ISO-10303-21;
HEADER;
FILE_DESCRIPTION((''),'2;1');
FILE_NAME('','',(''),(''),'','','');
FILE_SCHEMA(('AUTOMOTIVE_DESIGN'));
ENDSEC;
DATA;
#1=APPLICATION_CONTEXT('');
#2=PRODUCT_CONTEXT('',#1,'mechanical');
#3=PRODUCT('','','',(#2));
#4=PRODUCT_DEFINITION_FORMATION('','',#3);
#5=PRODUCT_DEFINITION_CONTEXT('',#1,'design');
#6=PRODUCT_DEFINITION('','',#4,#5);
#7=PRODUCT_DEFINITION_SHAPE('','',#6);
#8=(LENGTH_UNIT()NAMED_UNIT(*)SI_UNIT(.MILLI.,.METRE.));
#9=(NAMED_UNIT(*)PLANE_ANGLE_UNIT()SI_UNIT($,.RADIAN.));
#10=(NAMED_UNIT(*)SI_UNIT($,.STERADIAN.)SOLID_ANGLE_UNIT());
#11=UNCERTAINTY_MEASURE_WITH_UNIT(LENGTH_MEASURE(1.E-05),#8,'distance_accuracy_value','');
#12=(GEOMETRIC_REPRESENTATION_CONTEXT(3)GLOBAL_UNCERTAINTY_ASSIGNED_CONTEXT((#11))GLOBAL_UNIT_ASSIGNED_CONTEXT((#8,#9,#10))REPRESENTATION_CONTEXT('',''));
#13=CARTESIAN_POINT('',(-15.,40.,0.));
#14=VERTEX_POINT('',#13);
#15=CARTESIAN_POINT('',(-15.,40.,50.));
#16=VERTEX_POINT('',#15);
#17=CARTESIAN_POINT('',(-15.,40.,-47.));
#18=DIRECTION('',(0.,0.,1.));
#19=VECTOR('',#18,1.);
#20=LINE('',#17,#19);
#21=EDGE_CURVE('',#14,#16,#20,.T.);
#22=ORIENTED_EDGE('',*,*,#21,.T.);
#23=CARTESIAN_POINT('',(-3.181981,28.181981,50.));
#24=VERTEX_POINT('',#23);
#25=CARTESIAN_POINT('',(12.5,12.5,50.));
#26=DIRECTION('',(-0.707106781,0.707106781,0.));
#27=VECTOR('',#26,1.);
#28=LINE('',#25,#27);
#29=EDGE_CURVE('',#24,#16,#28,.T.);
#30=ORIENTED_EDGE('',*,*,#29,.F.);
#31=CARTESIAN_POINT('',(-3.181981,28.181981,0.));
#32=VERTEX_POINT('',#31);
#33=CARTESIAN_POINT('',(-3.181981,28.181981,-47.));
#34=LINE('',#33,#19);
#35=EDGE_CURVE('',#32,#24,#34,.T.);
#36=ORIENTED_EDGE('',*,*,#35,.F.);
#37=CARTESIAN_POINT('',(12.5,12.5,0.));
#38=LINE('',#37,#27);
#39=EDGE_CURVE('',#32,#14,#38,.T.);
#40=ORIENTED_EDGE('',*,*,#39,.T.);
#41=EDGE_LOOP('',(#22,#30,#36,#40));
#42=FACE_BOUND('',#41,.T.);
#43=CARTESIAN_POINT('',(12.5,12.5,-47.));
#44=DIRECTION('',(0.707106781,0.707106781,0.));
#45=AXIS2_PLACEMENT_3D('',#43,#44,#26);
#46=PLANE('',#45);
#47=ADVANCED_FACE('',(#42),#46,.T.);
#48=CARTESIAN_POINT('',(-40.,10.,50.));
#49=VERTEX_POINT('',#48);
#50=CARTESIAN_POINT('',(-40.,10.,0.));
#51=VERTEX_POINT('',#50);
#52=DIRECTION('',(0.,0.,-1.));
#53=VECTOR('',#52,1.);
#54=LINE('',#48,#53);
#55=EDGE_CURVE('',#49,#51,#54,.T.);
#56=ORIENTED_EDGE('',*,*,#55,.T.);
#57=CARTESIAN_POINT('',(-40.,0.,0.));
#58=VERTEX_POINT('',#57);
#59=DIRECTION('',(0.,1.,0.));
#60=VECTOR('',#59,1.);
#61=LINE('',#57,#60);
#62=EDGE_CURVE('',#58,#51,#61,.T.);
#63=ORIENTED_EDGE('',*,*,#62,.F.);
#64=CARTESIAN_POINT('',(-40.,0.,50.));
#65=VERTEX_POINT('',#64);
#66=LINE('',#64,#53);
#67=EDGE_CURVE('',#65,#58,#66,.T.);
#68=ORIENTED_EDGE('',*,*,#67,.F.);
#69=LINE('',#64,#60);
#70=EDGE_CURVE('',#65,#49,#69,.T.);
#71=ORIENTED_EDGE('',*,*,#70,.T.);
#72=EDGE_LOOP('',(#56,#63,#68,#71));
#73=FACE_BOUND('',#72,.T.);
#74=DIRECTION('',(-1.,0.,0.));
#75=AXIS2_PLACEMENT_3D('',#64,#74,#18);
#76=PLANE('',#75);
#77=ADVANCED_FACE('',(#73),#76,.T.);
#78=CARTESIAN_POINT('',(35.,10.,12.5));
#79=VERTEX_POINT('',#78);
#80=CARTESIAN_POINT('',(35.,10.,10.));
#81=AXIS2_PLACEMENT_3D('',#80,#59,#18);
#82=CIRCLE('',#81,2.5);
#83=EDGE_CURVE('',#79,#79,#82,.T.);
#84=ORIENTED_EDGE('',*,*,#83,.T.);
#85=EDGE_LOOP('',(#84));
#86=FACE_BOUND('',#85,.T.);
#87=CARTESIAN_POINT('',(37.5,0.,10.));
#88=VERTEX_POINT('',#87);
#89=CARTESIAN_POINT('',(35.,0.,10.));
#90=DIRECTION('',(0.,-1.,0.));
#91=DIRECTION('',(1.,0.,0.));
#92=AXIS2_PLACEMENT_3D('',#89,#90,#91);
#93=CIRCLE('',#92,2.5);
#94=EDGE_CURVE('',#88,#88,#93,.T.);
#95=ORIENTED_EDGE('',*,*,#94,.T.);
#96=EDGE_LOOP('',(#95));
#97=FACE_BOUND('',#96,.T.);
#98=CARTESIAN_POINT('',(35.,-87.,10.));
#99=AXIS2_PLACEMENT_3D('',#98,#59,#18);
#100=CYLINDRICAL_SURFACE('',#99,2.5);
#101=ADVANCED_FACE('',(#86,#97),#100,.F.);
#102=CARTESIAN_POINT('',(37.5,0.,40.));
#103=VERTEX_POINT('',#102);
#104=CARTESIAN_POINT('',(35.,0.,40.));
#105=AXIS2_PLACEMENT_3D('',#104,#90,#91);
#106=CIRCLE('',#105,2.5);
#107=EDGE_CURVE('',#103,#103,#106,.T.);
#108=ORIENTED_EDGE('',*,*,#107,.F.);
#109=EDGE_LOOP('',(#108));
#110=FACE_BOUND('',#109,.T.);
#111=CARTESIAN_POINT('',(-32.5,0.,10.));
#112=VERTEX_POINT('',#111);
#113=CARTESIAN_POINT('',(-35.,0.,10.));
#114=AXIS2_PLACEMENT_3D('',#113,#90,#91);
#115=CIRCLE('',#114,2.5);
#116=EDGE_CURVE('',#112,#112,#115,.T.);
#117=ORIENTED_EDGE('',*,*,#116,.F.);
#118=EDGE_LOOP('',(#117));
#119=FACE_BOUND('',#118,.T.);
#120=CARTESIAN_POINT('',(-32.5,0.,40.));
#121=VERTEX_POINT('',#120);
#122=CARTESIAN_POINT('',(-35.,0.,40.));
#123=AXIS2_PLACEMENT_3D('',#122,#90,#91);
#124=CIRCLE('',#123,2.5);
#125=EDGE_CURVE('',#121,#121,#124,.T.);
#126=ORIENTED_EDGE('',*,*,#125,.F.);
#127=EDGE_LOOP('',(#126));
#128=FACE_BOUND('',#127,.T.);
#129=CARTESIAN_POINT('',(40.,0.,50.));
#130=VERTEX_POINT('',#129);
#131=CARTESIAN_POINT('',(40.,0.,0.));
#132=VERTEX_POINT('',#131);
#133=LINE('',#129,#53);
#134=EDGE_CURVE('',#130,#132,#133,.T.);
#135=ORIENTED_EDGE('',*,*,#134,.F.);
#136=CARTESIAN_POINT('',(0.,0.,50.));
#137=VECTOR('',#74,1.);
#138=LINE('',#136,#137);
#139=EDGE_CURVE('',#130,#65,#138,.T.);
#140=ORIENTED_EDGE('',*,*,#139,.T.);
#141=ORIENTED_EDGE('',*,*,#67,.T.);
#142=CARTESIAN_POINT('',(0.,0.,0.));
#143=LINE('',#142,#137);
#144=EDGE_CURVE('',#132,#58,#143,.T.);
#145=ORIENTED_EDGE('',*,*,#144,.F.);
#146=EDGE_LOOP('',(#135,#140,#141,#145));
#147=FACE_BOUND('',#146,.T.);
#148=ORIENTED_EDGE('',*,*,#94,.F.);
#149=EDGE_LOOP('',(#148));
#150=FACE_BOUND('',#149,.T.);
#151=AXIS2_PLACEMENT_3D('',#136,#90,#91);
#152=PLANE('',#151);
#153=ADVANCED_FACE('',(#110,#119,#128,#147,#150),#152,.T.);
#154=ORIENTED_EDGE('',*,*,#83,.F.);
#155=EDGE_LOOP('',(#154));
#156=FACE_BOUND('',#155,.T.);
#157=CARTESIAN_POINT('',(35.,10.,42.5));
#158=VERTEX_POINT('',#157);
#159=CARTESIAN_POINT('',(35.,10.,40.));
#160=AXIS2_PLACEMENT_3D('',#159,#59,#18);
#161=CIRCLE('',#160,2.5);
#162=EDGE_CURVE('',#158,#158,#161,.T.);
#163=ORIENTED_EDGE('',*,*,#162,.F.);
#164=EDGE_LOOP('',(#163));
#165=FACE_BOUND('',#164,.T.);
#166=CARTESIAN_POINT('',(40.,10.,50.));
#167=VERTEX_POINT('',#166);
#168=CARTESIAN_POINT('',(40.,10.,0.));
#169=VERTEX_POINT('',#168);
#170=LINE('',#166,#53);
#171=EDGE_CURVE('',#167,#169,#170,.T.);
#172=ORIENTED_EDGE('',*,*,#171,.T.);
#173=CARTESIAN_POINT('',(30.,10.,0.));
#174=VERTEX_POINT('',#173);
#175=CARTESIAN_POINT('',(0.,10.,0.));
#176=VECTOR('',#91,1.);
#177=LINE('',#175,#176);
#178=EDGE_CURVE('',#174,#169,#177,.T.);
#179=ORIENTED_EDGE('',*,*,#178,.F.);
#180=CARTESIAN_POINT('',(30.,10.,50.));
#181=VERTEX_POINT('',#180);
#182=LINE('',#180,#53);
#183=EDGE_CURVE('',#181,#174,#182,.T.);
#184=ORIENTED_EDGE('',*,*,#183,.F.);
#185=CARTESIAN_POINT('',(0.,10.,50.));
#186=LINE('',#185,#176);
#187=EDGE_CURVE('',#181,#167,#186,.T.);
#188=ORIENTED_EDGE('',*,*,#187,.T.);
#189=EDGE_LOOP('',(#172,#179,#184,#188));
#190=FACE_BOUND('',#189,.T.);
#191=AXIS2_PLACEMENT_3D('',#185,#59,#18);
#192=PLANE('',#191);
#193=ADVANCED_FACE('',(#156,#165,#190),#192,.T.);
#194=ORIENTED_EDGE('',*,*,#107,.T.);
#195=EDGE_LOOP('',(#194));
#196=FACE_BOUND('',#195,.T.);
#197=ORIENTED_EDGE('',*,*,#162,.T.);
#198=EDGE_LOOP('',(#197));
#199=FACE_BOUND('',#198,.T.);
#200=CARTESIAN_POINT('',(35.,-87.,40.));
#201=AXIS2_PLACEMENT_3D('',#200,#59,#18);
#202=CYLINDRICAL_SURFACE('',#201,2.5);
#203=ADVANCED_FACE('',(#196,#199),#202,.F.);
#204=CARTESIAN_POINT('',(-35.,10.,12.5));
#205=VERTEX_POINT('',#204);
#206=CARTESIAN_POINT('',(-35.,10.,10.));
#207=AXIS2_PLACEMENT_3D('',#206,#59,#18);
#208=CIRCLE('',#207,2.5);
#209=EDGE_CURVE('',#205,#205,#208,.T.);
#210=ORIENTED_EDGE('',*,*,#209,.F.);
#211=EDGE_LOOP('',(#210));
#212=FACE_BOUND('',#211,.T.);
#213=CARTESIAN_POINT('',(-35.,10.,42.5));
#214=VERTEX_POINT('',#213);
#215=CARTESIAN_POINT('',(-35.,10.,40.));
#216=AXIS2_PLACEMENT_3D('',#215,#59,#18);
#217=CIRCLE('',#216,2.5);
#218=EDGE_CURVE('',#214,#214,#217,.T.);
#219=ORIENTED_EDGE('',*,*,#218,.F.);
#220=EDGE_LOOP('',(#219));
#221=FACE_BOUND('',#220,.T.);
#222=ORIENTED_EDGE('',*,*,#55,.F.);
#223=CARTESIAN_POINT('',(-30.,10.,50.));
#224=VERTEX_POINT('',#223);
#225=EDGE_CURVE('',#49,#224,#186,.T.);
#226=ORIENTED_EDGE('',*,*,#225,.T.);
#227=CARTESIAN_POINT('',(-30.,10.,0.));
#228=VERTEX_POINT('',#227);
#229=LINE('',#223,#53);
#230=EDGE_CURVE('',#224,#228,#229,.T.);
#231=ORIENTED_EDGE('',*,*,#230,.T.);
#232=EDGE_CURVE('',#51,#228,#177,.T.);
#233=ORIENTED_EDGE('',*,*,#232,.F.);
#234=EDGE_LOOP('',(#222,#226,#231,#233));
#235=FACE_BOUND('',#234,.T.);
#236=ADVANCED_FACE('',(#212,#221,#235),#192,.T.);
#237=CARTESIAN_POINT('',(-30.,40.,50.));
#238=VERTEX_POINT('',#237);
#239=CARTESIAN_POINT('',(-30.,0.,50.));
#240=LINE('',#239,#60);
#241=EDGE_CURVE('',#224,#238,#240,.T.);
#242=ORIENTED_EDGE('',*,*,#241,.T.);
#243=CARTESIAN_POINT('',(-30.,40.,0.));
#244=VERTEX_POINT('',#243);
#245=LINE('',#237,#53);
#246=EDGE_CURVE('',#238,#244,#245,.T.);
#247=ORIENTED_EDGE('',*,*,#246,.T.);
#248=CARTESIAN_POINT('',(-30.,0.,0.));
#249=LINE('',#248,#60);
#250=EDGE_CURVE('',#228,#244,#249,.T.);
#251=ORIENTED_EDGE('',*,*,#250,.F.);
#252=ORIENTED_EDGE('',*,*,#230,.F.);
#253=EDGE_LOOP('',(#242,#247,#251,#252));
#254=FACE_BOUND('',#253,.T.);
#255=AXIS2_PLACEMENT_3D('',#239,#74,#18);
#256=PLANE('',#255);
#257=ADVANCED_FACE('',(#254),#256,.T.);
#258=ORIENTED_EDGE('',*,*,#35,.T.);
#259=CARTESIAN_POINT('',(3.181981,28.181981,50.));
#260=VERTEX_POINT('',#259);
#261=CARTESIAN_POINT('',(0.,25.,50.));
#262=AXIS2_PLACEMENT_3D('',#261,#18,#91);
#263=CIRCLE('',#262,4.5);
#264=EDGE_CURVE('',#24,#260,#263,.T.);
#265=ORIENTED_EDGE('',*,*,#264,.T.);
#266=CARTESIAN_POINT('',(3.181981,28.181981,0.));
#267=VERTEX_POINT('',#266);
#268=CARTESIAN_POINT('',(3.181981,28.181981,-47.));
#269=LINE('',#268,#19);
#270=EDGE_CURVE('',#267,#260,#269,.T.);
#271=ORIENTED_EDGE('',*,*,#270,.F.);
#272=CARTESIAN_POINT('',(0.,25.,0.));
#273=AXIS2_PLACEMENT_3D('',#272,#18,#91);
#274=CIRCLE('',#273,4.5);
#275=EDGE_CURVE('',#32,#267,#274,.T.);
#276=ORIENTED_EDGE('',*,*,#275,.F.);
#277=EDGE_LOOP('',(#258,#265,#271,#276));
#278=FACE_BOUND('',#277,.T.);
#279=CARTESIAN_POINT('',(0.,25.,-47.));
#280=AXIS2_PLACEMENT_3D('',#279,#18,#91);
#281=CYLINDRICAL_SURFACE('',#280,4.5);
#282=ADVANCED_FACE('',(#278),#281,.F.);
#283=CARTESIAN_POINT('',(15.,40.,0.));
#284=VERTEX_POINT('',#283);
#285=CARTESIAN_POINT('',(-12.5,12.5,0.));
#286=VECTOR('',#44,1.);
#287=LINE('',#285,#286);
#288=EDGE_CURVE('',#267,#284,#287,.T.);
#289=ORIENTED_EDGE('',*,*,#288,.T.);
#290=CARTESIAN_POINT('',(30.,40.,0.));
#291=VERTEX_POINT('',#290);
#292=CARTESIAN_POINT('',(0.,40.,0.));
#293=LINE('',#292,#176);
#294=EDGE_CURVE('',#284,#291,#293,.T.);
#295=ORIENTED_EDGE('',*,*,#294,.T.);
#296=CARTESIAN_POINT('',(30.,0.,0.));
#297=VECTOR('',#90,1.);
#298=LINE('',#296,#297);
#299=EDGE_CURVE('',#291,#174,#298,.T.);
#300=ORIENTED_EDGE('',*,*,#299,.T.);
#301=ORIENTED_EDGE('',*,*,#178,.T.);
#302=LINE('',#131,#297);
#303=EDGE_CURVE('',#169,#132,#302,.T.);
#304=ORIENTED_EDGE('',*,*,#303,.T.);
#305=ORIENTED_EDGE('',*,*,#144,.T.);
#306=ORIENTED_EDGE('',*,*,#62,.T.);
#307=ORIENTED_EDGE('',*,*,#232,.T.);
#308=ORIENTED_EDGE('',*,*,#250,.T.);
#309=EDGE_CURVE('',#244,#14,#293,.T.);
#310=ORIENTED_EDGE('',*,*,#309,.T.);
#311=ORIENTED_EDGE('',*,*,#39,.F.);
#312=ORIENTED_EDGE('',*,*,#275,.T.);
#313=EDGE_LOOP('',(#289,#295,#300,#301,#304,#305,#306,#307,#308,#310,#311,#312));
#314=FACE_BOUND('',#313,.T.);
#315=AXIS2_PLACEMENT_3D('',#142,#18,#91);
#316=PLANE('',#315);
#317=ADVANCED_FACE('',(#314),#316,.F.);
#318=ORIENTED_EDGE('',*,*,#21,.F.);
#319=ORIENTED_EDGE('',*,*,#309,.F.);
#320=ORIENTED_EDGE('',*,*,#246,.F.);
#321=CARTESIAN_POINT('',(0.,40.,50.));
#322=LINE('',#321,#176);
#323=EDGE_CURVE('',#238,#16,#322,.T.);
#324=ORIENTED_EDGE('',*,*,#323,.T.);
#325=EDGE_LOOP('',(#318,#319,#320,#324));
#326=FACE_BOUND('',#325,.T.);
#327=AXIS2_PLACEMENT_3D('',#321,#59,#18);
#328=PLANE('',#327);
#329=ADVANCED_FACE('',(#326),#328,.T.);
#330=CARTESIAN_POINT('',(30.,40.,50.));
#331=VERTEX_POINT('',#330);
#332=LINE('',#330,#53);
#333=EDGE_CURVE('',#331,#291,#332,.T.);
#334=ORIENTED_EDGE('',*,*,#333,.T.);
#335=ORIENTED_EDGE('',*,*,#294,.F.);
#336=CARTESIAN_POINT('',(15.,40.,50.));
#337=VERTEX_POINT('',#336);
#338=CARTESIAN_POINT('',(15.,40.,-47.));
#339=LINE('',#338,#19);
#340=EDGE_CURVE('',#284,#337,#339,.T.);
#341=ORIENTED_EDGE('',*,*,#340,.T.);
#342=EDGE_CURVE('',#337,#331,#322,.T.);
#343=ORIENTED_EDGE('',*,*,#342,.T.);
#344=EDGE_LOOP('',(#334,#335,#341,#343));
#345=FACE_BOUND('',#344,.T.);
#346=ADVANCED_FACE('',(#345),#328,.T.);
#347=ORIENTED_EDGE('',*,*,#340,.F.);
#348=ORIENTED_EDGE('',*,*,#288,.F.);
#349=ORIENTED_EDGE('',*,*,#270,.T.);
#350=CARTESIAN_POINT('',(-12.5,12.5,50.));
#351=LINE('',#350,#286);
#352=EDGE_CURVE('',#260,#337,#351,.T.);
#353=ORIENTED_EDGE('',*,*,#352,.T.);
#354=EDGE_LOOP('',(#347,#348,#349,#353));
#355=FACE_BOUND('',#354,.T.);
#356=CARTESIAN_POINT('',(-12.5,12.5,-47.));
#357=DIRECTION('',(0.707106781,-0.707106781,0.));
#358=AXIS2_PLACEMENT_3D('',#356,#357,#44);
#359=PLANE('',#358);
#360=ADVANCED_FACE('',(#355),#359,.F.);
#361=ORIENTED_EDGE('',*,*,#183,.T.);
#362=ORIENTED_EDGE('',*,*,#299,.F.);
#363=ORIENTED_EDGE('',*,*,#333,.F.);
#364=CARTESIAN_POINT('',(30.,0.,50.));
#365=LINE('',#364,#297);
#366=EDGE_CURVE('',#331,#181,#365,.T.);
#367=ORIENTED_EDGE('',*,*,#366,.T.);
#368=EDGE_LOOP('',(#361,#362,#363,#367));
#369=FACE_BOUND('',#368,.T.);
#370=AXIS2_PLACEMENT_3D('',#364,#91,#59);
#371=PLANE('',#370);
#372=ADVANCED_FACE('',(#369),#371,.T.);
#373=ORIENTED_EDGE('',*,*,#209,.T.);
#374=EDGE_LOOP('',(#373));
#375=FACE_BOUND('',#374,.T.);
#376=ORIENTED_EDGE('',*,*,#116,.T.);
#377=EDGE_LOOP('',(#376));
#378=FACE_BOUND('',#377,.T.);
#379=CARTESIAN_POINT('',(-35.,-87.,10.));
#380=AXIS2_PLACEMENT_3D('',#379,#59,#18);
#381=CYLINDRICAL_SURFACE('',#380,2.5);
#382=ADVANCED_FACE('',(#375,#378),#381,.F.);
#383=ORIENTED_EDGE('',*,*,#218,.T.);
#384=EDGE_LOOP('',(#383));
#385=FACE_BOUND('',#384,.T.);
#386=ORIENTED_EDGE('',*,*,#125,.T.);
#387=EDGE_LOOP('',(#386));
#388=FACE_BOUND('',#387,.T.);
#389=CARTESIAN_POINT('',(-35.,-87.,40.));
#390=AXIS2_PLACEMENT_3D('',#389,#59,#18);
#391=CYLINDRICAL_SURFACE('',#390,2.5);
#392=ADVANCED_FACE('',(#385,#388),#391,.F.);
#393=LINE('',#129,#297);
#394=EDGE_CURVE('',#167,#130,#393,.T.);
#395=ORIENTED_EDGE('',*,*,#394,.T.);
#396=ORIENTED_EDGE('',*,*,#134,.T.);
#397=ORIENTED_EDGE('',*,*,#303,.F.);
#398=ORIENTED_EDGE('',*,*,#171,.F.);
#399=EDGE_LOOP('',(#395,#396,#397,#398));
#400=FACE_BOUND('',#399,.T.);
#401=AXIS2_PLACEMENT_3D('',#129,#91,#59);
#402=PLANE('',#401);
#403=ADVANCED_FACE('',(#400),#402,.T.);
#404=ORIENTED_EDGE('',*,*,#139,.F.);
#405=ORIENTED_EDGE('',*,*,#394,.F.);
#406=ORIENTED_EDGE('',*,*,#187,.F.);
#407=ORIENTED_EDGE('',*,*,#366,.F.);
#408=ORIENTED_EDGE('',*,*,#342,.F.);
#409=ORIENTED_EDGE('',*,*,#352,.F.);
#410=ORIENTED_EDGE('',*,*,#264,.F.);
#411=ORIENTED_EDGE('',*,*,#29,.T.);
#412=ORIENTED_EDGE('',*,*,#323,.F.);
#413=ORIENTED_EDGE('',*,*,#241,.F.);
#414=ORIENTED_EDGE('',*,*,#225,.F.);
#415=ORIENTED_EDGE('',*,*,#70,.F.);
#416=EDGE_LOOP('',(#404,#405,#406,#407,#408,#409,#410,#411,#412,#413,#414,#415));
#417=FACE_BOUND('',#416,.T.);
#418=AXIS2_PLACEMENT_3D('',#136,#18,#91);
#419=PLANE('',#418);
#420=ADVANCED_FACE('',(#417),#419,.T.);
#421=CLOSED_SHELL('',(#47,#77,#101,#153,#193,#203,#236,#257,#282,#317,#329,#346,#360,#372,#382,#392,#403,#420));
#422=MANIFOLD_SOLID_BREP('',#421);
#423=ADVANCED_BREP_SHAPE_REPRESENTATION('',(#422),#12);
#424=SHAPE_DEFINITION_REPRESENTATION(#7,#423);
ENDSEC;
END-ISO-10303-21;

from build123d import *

# Parameters (mm, degrees)
EXTRUDE_1_DEPTH     = 50
SKETCH_5_R          = 4.5
CUT_EXTRUDE_1_DEPTH = 97
SKETCH_6_R          = 2.5
CUT_EXTRUDE_2_DEPTH = 97
SKETCH_7_R          = 2.5
CUT_EXTRUDE_3_DEPTH = 97


with BuildPart() as part:
    # 스케치4 → 보스-돌출1 (new body)
    with BuildSketch(Plane.XY):
        Polygon((40, 0), (0, 0), (-40, 0), (-40, 10), (-30, 10), (-30, 40), (30, 40), (30, 10), (40, 10), align=None)
    extrude(amount=EXTRUDE_1_DEPTH)

    # 스케치5 → 컷-돌출1 (cut)
    with BuildSketch(Plane.XY.offset(50)):
        with Locations((0, 25)):
            Circle(SKETCH_5_R)
        Polygon((0, 25), (15, 40), (-15, 40), align=None)
    extrude(amount=-CUT_EXTRUDE_1_DEPTH, mode=Mode.SUBTRACT)

    # 스케치6 → 컷-돌출2 (cut)
    with BuildSketch(Plane(origin=(0, 10, 0), x_dir=(1, 0, 0), z_dir=(0, 1, 0))):
        with Locations((-35, -10)):
            Circle(SKETCH_6_R)
        with Locations((-35, -40)):
            Circle(SKETCH_6_R)
    extrude(amount=-CUT_EXTRUDE_2_DEPTH, mode=Mode.SUBTRACT)

    # 스케치7 → 컷-돌출3 (cut)
    with BuildSketch(Plane(origin=(0, 10, 0), x_dir=(1, 0, 0), z_dir=(0, 1, 0))):
        with Locations((35, -10)):
            Circle(SKETCH_7_R)
        with Locations((35, -40)):
            Circle(SKETCH_7_R)
    extrude(amount=-CUT_EXTRUDE_3_DEPTH, mode=Mode.SUBTRACT)


solid = part.part
